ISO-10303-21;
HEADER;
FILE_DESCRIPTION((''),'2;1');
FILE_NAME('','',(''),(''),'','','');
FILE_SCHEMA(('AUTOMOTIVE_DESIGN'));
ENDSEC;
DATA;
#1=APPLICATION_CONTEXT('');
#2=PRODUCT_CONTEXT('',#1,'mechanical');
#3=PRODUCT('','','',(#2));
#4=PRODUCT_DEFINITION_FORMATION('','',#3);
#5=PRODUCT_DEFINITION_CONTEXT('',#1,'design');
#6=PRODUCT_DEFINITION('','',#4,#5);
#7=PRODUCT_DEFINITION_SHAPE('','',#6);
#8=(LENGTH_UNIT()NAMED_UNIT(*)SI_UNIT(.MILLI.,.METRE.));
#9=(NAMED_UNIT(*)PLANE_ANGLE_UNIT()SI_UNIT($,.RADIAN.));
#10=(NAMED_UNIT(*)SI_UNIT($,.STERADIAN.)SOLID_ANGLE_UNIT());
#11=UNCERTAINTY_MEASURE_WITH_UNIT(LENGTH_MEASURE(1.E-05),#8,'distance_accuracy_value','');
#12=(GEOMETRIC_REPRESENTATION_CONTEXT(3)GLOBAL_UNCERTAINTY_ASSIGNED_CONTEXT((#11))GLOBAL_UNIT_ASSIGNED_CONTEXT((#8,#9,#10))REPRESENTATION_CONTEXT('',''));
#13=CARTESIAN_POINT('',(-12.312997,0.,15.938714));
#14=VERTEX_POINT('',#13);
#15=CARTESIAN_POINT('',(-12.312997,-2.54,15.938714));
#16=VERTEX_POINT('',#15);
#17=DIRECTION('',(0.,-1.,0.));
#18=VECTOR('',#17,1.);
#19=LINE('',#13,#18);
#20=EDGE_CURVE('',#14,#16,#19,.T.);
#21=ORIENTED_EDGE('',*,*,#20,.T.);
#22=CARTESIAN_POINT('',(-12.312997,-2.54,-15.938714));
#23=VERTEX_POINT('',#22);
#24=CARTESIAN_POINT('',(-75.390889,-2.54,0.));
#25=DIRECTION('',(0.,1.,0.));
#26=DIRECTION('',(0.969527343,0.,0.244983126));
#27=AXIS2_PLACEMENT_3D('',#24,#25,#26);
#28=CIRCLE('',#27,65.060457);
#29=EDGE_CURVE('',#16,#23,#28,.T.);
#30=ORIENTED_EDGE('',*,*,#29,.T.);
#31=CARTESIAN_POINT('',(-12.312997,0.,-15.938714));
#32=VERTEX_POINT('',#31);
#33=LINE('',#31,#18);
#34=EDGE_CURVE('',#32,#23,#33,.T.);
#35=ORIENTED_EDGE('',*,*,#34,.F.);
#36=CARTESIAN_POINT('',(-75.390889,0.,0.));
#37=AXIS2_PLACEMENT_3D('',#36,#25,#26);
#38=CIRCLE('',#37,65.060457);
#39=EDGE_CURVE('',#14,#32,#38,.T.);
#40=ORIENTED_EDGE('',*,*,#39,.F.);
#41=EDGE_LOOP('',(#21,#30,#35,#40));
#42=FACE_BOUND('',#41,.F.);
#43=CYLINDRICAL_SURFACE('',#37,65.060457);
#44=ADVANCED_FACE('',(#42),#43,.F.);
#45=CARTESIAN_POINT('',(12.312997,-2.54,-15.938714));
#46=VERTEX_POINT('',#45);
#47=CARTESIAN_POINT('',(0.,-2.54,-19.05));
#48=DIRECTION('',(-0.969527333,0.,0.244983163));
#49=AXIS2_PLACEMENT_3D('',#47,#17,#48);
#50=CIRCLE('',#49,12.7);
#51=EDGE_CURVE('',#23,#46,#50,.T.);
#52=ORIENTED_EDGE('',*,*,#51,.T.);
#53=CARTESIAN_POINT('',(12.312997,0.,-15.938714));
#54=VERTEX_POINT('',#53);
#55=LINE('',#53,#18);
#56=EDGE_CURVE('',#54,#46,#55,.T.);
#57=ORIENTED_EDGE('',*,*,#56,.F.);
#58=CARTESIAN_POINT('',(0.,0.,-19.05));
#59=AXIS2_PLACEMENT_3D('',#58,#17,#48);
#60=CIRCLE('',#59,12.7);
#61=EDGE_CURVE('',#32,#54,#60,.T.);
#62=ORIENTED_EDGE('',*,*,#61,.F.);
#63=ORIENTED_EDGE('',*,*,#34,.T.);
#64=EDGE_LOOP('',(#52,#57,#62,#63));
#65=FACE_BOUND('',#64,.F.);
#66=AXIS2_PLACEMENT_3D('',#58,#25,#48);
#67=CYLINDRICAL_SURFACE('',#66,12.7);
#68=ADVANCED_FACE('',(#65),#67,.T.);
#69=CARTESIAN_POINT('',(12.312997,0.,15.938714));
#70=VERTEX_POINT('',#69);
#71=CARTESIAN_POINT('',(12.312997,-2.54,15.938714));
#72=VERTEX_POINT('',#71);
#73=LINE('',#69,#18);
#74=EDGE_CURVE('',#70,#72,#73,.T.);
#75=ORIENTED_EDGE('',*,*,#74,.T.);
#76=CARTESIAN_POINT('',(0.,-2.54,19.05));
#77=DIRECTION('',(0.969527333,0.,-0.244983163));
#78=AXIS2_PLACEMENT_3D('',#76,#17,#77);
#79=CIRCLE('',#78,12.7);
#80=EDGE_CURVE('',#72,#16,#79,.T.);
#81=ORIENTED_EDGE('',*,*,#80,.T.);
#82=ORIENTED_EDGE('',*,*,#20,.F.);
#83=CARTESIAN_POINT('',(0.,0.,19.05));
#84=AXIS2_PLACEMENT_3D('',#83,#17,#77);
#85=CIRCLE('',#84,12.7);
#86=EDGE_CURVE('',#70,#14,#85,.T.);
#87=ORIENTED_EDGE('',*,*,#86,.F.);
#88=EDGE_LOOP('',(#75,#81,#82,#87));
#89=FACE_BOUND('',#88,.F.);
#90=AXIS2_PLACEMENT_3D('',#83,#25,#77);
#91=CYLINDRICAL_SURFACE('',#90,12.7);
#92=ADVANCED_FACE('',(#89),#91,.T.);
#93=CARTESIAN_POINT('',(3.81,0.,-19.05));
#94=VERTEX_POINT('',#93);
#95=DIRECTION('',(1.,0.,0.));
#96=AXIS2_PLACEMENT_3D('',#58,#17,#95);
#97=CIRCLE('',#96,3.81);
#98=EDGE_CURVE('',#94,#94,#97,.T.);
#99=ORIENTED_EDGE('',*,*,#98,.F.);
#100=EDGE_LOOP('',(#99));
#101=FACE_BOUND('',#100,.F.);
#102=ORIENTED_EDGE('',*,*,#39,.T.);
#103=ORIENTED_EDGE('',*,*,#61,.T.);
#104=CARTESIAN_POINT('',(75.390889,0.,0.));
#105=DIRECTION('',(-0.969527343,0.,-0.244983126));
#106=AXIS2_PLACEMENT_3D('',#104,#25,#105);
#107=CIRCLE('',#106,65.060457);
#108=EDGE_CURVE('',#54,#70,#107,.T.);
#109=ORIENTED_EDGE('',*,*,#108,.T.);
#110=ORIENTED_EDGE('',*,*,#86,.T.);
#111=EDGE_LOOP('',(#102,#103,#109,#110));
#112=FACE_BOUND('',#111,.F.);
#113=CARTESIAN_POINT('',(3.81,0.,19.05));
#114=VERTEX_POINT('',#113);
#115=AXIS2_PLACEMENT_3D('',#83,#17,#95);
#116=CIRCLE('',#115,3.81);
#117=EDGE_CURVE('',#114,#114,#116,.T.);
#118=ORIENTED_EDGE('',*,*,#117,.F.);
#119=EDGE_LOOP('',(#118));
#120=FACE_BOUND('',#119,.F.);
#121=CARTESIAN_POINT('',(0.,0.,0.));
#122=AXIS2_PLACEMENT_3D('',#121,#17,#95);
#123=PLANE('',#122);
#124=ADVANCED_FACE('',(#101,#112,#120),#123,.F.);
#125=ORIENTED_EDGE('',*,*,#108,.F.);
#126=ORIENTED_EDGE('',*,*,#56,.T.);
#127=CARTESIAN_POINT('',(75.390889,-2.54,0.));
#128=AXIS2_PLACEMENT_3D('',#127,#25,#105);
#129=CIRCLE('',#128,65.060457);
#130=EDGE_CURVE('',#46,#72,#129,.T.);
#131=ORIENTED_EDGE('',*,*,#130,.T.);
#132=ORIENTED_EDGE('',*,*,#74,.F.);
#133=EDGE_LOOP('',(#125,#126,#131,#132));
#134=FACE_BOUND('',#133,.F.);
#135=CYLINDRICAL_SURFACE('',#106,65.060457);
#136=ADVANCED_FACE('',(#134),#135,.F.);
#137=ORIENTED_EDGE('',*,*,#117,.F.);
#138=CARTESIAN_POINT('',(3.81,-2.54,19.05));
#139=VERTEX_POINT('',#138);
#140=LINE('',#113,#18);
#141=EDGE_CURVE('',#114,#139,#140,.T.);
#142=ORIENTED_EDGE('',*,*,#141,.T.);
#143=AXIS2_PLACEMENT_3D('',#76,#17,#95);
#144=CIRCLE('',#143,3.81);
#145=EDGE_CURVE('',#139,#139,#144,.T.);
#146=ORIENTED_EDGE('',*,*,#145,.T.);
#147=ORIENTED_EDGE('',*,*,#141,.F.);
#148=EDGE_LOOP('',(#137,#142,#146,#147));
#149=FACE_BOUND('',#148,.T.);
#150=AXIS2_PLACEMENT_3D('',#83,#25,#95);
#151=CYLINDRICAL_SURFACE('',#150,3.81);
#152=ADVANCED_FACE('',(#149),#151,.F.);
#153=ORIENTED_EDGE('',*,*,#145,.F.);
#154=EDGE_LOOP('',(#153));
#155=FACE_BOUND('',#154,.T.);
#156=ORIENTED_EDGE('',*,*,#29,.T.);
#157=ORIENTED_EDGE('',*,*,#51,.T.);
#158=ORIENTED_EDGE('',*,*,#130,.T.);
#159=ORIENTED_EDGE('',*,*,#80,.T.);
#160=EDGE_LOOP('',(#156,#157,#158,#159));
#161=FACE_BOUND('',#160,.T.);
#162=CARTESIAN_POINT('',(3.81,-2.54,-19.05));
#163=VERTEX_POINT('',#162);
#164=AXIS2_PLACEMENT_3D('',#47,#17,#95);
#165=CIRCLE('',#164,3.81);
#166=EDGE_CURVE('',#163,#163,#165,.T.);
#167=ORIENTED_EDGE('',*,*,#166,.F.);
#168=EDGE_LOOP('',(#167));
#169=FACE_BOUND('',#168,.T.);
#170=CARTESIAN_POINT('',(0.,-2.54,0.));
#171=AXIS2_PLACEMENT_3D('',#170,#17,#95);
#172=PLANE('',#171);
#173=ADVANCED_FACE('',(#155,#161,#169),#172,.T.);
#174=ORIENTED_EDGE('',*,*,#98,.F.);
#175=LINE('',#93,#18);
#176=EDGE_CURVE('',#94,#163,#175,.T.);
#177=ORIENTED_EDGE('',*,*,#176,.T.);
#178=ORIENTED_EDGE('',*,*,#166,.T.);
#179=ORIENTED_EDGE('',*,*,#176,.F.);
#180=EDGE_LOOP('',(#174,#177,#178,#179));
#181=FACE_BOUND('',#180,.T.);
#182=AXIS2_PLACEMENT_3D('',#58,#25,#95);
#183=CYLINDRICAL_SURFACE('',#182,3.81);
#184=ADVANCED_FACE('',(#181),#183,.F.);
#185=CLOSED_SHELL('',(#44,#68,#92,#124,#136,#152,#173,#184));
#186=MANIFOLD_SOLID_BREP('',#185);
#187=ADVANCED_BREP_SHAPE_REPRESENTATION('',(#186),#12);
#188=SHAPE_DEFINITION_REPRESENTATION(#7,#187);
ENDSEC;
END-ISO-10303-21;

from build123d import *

# Parameters (mm, degrees)
F0_R     = 3.81
F1_DEPTH = 2.54


with BuildPart() as f1:
    # F0 (on Front) → F1 (new body)
    with BuildSketch(Plane.XZ):
        with BuildLine():
            ThreePointArc((12.312997, -15.938714), (10.330432, 0), (12.312997, 15.938714))
            ThreePointArc((12.312997, 15.938714), (0, 31.75), (-12.312997, 15.938714))
            ThreePointArc((-12.312997, 15.938714), (-10.330432, 0), (-12.312997, -15.938714))
            ThreePointArc((-12.312997, -15.938714), (0, -31.75), (12.312997, -15.938714))
        make_face()
        with Locations((0, -19.05)):
            Circle(F0_R, mode=Mode.SUBTRACT)
        with Locations((0, 19.05)):
            Circle(F0_R, mode=Mode.SUBTRACT)
    extrude(amount=F1_DEPTH)


solid = f1.part
